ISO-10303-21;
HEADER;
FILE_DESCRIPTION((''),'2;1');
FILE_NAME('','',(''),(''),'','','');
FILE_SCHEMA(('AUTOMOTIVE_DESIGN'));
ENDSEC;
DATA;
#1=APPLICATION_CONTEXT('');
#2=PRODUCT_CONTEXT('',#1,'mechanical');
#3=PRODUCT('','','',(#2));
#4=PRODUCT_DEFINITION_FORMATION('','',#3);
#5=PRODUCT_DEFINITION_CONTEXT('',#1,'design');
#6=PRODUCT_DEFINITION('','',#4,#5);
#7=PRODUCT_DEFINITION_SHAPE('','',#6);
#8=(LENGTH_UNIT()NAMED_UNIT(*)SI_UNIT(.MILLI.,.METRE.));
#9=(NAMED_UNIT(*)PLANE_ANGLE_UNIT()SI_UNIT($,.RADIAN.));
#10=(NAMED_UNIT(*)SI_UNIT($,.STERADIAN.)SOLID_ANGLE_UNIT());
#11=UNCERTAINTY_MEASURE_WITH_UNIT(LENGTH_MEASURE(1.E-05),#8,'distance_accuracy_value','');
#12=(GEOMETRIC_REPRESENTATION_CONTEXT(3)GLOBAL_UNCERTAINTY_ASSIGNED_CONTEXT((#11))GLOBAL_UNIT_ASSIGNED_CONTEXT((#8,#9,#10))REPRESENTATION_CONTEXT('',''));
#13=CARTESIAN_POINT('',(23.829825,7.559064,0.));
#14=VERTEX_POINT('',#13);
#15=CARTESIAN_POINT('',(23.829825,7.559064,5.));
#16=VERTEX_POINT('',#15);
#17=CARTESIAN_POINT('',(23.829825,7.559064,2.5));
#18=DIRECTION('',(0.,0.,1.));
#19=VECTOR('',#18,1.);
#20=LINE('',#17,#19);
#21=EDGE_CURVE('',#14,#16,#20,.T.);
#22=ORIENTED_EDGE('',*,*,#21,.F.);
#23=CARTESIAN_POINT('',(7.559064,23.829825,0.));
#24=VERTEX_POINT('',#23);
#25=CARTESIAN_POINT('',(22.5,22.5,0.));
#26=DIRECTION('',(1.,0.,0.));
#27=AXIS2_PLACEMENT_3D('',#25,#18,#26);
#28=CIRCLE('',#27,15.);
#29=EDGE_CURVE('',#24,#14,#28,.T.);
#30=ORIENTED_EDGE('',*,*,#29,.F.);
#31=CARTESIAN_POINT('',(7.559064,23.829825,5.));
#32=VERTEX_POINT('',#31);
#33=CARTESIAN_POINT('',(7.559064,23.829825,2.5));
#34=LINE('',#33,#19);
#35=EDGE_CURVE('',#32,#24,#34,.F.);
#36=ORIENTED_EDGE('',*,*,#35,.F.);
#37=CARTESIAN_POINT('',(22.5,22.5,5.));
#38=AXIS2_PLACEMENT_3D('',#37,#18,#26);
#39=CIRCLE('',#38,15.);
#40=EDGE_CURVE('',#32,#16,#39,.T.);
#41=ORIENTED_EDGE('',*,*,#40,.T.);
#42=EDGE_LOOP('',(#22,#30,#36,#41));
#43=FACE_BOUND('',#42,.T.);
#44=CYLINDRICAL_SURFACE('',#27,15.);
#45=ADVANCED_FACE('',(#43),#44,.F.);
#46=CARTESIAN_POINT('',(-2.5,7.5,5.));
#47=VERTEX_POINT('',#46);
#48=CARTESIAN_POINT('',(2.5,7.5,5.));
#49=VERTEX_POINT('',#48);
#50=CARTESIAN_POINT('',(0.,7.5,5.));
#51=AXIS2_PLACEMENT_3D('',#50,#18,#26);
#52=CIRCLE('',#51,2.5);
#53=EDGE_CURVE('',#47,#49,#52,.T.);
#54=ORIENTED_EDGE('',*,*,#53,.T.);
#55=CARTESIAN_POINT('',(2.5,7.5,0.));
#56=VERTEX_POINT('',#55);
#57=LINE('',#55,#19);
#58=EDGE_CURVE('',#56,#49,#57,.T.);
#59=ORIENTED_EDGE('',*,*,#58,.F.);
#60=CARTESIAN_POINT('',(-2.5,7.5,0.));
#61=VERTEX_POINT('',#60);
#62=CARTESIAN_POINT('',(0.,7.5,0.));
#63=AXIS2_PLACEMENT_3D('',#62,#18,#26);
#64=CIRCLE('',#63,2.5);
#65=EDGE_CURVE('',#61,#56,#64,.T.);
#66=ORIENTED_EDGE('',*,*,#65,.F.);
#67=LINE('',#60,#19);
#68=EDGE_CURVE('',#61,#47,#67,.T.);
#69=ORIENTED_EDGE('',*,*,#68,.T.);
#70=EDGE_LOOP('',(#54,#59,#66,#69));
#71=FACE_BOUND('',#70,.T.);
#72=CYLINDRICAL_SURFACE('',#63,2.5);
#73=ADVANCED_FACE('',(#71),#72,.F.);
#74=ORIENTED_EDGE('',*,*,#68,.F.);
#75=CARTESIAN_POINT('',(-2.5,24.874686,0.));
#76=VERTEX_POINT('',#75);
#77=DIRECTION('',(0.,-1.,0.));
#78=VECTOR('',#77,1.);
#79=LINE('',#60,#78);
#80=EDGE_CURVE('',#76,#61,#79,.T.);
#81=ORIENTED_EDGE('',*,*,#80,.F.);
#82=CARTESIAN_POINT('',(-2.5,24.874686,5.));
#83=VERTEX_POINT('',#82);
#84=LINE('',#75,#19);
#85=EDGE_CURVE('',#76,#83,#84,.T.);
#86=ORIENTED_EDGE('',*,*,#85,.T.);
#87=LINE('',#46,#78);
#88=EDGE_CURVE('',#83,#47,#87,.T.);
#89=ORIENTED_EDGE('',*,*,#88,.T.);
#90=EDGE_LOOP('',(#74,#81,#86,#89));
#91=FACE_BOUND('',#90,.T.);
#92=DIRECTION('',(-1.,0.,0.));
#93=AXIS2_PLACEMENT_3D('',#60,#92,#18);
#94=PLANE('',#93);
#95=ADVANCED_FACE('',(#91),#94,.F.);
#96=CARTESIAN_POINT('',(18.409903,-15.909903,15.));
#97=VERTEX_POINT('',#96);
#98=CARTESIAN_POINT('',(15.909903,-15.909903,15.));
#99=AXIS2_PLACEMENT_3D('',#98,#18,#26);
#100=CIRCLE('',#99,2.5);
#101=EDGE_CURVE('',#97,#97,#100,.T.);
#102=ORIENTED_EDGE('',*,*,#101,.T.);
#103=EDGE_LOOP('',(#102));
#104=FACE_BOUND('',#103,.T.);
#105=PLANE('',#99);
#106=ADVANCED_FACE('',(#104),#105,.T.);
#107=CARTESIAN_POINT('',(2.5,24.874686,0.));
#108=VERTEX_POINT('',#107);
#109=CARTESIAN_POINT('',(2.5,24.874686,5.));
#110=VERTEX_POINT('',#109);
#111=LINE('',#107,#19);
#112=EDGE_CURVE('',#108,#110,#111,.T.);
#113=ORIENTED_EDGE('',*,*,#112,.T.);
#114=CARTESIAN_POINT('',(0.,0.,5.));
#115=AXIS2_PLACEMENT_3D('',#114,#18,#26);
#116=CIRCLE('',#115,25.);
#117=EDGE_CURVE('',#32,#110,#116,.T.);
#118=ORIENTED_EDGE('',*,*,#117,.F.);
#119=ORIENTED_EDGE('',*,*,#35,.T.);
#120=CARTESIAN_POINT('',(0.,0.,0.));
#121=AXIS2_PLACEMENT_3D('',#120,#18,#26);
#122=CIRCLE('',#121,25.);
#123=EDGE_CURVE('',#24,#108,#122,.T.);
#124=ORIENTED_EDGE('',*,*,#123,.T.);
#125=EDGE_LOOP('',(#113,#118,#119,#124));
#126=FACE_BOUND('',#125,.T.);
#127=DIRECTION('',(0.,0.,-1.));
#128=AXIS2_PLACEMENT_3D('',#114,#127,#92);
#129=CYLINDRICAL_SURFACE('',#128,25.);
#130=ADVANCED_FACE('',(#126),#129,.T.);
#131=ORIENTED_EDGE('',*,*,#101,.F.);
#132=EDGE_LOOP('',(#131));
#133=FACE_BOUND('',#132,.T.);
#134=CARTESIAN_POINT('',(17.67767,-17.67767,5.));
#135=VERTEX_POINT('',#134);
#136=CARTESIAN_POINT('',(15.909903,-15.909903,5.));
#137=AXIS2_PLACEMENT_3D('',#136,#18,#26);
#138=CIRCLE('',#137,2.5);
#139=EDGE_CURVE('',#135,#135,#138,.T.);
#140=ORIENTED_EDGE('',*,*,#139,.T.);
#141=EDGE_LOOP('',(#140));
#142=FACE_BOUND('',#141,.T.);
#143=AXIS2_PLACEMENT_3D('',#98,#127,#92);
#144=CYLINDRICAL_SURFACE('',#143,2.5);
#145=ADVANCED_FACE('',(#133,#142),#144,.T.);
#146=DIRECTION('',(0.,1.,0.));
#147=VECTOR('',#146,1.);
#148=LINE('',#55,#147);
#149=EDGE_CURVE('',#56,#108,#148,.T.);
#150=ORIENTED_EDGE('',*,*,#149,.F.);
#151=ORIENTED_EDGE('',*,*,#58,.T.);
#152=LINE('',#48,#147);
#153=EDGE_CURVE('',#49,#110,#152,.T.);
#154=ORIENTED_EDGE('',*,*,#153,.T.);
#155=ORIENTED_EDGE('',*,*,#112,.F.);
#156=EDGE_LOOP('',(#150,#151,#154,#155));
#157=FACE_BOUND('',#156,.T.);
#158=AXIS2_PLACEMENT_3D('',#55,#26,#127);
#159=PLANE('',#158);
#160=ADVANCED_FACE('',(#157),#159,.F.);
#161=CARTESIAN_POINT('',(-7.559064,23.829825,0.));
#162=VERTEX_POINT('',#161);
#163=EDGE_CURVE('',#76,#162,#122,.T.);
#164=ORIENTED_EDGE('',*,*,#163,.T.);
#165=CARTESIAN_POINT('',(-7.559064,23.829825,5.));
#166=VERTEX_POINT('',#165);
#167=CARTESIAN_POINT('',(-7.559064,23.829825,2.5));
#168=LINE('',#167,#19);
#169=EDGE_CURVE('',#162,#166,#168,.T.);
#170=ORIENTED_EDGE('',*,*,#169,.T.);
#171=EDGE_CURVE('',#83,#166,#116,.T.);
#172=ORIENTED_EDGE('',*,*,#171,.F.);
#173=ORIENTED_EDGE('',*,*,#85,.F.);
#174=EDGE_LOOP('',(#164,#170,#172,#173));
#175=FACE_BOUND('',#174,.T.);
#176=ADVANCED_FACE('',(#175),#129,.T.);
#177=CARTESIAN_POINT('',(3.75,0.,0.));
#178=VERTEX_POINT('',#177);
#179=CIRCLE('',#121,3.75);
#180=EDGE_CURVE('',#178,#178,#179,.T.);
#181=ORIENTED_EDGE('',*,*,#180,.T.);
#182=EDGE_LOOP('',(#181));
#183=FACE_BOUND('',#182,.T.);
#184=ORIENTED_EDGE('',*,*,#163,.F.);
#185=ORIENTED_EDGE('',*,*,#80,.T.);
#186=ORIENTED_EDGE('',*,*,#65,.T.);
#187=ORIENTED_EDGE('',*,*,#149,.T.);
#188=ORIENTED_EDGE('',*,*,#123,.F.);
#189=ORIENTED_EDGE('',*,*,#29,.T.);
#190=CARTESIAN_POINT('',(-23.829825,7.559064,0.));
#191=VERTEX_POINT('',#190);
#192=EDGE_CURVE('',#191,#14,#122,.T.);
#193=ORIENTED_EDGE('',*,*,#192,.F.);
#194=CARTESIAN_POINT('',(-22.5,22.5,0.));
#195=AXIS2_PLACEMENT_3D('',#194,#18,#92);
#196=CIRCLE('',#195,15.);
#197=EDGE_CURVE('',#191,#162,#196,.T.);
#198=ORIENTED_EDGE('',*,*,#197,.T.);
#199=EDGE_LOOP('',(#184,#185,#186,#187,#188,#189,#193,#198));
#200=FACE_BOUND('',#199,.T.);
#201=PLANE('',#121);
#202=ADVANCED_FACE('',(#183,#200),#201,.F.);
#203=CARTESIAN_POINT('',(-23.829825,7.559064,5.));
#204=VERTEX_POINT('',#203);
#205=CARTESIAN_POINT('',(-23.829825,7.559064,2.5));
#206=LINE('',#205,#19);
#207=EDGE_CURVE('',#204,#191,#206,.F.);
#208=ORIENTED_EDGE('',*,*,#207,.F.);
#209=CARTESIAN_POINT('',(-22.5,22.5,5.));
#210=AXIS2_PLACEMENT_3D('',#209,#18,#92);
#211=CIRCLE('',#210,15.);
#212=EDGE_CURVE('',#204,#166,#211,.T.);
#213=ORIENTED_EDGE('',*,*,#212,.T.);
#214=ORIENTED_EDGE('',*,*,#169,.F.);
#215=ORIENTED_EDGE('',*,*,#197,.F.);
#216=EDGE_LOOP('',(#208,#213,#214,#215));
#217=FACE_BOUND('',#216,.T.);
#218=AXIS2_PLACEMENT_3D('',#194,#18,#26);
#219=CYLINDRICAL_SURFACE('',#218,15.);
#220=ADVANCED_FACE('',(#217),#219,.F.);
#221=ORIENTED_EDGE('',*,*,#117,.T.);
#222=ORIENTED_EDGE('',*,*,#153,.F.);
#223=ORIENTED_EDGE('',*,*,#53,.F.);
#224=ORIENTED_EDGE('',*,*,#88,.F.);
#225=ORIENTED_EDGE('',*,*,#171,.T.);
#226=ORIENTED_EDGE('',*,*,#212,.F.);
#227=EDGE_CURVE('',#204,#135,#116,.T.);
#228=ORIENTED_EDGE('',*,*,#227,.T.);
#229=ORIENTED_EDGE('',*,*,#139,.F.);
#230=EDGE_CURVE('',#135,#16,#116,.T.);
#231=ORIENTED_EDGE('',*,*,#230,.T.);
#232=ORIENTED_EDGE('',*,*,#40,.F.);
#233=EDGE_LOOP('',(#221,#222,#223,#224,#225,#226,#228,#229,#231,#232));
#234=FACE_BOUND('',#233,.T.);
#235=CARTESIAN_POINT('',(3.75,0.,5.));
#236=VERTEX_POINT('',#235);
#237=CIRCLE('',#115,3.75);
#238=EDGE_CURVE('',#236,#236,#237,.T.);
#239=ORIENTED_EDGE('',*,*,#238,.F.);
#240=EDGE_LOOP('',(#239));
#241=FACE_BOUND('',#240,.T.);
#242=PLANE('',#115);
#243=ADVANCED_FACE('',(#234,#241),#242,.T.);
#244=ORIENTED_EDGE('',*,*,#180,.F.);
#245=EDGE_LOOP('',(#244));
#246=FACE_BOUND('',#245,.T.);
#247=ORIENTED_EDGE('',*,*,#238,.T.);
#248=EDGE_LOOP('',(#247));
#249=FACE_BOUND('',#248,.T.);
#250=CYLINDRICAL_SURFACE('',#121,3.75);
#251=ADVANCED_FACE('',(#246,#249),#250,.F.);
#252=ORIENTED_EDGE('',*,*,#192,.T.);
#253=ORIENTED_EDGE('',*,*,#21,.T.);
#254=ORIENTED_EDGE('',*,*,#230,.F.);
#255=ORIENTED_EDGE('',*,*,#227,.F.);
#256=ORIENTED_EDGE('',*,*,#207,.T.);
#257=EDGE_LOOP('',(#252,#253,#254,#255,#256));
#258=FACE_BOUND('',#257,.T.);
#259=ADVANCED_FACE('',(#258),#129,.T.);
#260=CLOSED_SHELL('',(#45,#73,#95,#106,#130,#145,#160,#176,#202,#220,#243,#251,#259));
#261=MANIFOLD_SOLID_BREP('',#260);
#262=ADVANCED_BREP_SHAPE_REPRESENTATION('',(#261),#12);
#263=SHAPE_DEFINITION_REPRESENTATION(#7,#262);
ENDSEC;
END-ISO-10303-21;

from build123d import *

# Parameters (mm, degrees)
SKETCH1_R           = 25
BOSS_EXTRUDE1_DEPTH = 5
SKETCH2_R           = 3.75
CUT_EXTRUDE1_DEPTH  = 36.707142143
SKETCH3_R           = 15
CUT_EXTRUDE2_DEPTH  = 36.707142143
SKETCH4_R           = 2.5
BOSS_EXTRUDE2_DEPTH = 10


with BuildPart() as part:
    # Sketch1 → Boss-Extrude1 (new body)
    with BuildSketch(Plane.XY):
        Circle(SKETCH1_R)
    extrude(amount=BOSS_EXTRUDE1_DEPTH)

    # Sketch2 → Cut-Extrude1 (cut, through all)
    with BuildSketch(Plane.XY.offset(5)):
        Circle(SKETCH2_R)
        with BuildLine():
            Line((-2.5, 7.5), (-2.5, 24.874685928))
            ThreePointArc((-2.5, 24.874685928), (0, 25), (2.5, 24.874685928))
            Line((2.5, 24.874685928), (2.5, 7.5))
            ThreePointArc((2.5, 7.5), (0, 5), (-2.5, 7.5))
        make_face()
    extrude(amount=-CUT_EXTRUDE1_DEPTH, mode=Mode.SUBTRACT)

    # Sketch3 → Cut-Extrude2 (cut, through all)
    with BuildSketch(Plane.XY.offset(5)):
        with Locations((22.5, 22.5)):
            Circle(SKETCH3_R)
        with Locations((-22.5, 22.5)):
            Circle(SKETCH3_R)
    extrude(amount=-CUT_EXTRUDE2_DEPTH, mode=Mode.SUBTRACT)

    # Sketch4 → Boss-Extrude2 (add)
    with BuildSketch(Plane.XY.offset(5)):
        with Locations(Location((15.909902577, -15.909902577, 0), (0, 0, 314.99945985))):
            Circle(SKETCH4_R)
    extrude(amount=BOSS_EXTRUDE2_DEPTH)


solid = part.part
